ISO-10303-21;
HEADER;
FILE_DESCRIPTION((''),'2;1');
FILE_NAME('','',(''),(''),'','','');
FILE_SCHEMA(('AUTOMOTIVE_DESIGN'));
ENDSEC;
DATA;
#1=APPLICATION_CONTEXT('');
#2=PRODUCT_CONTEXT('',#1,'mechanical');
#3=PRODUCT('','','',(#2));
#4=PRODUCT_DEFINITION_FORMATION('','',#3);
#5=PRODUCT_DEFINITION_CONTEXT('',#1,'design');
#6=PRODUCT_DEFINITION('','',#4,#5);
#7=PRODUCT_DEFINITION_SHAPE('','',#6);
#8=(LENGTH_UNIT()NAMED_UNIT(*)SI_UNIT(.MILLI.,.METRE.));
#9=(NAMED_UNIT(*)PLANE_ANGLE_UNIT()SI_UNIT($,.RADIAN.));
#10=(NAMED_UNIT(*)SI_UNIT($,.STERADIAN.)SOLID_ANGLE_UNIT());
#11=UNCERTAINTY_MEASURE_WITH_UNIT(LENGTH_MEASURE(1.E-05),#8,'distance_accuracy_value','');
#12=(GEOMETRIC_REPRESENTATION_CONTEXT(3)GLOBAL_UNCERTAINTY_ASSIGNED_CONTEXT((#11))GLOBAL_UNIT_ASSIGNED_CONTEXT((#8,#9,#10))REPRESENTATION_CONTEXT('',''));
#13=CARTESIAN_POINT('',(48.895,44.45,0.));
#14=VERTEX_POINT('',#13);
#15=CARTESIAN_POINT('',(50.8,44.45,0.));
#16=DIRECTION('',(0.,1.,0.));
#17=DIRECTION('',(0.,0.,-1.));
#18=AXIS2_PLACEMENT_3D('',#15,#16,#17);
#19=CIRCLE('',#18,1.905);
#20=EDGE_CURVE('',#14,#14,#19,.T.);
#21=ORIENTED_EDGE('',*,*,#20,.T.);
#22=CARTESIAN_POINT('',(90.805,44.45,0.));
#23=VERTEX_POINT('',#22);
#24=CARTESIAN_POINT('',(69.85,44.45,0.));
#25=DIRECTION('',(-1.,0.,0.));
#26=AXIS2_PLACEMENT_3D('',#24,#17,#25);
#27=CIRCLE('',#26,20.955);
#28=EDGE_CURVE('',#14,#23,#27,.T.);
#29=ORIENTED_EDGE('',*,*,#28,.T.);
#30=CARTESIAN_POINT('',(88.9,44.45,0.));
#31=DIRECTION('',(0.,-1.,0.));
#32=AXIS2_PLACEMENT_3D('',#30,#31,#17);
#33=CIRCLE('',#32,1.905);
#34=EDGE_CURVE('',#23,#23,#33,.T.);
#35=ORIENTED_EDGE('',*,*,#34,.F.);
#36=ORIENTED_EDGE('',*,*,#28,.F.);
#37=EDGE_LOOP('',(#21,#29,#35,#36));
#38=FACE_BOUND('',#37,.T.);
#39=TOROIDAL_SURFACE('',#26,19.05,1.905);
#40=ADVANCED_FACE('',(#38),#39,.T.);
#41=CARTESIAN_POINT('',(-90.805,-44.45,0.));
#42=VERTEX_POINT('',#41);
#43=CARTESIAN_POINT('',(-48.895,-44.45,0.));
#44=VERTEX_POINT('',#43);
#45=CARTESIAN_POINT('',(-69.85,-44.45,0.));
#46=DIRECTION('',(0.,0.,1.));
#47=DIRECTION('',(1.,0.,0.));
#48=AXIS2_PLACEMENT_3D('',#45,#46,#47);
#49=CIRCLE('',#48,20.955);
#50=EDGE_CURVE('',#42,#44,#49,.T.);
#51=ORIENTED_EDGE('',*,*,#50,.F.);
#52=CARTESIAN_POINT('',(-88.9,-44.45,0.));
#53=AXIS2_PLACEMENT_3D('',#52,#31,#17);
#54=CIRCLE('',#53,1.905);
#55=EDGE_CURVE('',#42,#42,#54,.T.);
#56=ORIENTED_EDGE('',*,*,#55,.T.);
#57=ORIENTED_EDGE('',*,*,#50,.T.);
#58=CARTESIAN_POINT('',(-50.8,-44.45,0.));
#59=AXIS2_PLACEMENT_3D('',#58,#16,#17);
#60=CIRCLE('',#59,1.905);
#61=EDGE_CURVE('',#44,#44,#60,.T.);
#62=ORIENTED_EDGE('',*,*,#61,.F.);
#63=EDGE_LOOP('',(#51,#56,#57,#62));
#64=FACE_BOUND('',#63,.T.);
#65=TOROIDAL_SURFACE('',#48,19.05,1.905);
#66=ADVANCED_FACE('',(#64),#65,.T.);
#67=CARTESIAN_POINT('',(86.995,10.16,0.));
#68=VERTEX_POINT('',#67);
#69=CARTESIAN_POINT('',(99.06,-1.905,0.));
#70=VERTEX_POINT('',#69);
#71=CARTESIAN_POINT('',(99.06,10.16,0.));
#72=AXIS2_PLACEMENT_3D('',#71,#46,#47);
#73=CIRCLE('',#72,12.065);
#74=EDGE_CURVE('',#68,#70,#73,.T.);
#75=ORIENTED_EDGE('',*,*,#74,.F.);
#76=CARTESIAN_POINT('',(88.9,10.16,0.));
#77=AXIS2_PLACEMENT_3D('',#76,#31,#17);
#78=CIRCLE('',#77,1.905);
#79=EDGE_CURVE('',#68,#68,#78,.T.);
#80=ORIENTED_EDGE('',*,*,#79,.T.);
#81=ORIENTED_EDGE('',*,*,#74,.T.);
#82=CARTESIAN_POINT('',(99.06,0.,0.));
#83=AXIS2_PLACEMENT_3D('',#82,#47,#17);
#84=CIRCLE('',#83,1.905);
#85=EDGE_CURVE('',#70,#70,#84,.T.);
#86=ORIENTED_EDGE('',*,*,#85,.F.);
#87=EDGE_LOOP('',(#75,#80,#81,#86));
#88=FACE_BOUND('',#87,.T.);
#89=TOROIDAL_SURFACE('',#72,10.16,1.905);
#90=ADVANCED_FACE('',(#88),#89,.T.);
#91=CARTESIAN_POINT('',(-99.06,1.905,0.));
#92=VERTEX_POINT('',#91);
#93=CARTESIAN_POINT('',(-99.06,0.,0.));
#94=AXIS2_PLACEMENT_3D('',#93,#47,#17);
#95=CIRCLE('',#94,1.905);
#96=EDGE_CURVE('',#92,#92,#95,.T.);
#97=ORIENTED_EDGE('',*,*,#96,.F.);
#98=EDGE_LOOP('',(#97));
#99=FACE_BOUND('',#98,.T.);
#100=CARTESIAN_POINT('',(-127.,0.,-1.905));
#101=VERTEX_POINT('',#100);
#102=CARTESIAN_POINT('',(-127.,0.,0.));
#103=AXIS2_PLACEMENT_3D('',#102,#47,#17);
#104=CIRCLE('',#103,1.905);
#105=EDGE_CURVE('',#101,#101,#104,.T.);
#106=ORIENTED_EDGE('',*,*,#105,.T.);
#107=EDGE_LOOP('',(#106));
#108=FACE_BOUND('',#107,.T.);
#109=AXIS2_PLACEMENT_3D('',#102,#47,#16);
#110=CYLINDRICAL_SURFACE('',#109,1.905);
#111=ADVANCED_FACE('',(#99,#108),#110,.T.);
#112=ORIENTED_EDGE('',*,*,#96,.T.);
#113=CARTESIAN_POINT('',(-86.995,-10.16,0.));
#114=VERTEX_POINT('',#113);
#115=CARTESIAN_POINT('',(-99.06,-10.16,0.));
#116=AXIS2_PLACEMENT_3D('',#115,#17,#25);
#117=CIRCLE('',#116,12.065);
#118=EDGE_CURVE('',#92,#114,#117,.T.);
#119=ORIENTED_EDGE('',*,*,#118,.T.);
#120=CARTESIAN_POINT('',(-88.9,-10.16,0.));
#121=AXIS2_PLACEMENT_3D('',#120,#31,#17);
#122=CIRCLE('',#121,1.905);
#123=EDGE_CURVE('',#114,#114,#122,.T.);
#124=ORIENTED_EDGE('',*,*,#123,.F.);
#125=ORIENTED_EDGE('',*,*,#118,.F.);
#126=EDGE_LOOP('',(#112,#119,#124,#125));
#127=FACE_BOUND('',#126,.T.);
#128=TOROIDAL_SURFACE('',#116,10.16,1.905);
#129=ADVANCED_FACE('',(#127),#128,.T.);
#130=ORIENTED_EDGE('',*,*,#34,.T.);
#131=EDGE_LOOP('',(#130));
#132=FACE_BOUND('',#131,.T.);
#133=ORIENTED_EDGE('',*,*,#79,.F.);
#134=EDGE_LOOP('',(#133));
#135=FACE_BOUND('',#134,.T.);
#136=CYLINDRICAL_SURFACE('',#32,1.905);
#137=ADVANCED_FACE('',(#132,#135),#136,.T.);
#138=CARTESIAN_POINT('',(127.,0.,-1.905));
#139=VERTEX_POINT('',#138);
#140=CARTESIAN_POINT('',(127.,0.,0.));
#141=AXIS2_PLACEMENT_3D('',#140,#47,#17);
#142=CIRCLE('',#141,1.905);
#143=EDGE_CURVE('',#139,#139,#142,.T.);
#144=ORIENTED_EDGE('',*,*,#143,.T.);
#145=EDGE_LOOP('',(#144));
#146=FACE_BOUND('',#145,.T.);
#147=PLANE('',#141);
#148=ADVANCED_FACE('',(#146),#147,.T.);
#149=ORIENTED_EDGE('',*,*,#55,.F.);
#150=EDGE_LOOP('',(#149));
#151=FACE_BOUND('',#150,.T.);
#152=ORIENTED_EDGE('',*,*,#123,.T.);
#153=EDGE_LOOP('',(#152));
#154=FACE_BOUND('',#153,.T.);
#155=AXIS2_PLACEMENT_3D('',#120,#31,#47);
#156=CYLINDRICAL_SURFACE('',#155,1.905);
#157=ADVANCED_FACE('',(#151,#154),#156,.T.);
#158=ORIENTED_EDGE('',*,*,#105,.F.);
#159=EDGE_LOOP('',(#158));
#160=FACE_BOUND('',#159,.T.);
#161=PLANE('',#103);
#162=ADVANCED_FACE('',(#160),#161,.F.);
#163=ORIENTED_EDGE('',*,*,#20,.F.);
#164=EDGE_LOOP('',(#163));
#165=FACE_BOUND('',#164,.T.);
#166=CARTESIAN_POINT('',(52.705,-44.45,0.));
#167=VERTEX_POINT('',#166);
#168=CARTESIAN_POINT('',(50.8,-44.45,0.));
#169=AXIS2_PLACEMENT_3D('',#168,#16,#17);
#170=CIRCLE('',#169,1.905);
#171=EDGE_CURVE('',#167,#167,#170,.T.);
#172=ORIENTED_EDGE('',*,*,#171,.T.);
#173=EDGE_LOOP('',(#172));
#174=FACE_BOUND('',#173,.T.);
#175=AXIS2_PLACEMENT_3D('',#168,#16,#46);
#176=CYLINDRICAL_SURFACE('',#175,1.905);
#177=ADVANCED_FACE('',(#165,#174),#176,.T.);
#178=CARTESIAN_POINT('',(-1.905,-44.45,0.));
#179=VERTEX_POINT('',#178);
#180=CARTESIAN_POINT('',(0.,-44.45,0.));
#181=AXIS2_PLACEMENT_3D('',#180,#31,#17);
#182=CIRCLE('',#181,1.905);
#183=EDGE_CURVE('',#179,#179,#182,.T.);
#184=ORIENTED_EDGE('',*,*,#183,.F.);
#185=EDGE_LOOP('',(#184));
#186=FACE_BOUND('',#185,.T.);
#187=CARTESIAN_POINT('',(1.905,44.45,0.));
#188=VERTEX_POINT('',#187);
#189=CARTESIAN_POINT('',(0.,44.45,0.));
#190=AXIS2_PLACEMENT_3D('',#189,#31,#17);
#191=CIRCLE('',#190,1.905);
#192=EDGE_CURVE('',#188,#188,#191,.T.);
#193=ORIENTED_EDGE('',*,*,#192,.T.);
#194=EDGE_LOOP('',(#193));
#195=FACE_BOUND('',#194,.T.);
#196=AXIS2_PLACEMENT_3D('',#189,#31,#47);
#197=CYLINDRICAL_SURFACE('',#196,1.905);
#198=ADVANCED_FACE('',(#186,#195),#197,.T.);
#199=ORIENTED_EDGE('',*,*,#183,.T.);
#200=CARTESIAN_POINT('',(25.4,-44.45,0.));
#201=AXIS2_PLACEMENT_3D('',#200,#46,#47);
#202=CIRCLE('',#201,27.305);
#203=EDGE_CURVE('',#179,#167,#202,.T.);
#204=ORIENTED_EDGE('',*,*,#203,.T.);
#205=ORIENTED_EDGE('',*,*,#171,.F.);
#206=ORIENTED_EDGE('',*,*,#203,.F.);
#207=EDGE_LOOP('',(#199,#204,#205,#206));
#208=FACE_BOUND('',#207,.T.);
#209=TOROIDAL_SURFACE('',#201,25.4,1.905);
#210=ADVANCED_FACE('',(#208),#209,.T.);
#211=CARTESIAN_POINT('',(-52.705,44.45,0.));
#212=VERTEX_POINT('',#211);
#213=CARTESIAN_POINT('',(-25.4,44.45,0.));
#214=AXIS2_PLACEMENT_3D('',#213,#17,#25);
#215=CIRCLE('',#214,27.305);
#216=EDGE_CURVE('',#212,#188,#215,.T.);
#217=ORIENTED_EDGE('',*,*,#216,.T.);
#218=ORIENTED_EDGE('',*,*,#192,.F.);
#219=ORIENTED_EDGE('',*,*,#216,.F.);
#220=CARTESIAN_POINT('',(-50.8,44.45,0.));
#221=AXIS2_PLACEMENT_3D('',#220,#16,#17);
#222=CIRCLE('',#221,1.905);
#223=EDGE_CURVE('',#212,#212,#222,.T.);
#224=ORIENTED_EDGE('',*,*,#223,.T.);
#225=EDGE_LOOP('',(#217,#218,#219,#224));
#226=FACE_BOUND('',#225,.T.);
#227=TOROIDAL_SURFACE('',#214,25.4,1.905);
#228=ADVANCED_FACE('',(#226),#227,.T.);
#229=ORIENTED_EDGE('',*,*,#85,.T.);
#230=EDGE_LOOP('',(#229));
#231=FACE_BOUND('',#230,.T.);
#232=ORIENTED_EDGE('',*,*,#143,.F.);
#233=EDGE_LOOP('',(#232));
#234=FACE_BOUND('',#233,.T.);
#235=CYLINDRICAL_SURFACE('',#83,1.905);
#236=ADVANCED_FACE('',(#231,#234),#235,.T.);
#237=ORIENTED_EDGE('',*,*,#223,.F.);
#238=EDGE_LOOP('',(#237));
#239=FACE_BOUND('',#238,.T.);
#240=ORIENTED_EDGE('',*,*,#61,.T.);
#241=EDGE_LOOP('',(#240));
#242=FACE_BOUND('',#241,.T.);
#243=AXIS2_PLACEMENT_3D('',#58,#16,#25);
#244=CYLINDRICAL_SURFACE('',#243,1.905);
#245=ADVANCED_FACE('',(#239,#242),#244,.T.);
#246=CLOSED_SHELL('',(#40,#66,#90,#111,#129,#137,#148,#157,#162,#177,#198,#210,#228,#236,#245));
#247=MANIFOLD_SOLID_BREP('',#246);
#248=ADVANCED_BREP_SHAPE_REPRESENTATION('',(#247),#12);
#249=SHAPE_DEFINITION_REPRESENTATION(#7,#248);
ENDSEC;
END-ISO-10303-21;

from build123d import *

# Parameters (mm, degrees)
SKETCH7_R = 1.905


with BuildPart() as part:
    # Sweep3: sweep along a path in Sketch4
    with BuildLine(Plane.XY) as sweep3_path:
        Line((-127, 0), (-99.06, 0))
        ThreePointArc((-99.06, 0), (-91.875795103, -2.975795103), (-88.9, -10.16))
        Line((-88.9, -10.16), (-88.9, -44.45))
        ThreePointArc((-88.9, -44.45), (-69.85, -63.5), (-50.8, -44.45))
        Line((-50.8, -44.45), (-50.8, 44.45))
        ThreePointArc((-50.8, 44.45), (-25.4, 69.85), (0, 44.45))
        Line((0, 44.45), (0, -44.45))
        ThreePointArc((0, -44.45), (25.4, -69.85), (50.8, -44.45))
        Line((50.8, -44.45), (50.8, 44.45))
        ThreePointArc((50.8, 44.45), (69.85, 63.5), (88.9, 44.45))
        Line((88.9, 44.45), (88.9, 10.16))
        ThreePointArc((88.9, 10.16), (91.875795103, 2.975795103), (99.06, 0))
        Line((99.06, 0), (127, 0))
    # Sketch7 → Sweep3 (sweep)
    with BuildSketch(Plane(origin=(127, 0, 0), x_dir=(0, 0, -1), z_dir=(1, 0, 0))):
        Circle(SKETCH7_R)
    sweep(path=sweep3_path.line)


solid = part.part
